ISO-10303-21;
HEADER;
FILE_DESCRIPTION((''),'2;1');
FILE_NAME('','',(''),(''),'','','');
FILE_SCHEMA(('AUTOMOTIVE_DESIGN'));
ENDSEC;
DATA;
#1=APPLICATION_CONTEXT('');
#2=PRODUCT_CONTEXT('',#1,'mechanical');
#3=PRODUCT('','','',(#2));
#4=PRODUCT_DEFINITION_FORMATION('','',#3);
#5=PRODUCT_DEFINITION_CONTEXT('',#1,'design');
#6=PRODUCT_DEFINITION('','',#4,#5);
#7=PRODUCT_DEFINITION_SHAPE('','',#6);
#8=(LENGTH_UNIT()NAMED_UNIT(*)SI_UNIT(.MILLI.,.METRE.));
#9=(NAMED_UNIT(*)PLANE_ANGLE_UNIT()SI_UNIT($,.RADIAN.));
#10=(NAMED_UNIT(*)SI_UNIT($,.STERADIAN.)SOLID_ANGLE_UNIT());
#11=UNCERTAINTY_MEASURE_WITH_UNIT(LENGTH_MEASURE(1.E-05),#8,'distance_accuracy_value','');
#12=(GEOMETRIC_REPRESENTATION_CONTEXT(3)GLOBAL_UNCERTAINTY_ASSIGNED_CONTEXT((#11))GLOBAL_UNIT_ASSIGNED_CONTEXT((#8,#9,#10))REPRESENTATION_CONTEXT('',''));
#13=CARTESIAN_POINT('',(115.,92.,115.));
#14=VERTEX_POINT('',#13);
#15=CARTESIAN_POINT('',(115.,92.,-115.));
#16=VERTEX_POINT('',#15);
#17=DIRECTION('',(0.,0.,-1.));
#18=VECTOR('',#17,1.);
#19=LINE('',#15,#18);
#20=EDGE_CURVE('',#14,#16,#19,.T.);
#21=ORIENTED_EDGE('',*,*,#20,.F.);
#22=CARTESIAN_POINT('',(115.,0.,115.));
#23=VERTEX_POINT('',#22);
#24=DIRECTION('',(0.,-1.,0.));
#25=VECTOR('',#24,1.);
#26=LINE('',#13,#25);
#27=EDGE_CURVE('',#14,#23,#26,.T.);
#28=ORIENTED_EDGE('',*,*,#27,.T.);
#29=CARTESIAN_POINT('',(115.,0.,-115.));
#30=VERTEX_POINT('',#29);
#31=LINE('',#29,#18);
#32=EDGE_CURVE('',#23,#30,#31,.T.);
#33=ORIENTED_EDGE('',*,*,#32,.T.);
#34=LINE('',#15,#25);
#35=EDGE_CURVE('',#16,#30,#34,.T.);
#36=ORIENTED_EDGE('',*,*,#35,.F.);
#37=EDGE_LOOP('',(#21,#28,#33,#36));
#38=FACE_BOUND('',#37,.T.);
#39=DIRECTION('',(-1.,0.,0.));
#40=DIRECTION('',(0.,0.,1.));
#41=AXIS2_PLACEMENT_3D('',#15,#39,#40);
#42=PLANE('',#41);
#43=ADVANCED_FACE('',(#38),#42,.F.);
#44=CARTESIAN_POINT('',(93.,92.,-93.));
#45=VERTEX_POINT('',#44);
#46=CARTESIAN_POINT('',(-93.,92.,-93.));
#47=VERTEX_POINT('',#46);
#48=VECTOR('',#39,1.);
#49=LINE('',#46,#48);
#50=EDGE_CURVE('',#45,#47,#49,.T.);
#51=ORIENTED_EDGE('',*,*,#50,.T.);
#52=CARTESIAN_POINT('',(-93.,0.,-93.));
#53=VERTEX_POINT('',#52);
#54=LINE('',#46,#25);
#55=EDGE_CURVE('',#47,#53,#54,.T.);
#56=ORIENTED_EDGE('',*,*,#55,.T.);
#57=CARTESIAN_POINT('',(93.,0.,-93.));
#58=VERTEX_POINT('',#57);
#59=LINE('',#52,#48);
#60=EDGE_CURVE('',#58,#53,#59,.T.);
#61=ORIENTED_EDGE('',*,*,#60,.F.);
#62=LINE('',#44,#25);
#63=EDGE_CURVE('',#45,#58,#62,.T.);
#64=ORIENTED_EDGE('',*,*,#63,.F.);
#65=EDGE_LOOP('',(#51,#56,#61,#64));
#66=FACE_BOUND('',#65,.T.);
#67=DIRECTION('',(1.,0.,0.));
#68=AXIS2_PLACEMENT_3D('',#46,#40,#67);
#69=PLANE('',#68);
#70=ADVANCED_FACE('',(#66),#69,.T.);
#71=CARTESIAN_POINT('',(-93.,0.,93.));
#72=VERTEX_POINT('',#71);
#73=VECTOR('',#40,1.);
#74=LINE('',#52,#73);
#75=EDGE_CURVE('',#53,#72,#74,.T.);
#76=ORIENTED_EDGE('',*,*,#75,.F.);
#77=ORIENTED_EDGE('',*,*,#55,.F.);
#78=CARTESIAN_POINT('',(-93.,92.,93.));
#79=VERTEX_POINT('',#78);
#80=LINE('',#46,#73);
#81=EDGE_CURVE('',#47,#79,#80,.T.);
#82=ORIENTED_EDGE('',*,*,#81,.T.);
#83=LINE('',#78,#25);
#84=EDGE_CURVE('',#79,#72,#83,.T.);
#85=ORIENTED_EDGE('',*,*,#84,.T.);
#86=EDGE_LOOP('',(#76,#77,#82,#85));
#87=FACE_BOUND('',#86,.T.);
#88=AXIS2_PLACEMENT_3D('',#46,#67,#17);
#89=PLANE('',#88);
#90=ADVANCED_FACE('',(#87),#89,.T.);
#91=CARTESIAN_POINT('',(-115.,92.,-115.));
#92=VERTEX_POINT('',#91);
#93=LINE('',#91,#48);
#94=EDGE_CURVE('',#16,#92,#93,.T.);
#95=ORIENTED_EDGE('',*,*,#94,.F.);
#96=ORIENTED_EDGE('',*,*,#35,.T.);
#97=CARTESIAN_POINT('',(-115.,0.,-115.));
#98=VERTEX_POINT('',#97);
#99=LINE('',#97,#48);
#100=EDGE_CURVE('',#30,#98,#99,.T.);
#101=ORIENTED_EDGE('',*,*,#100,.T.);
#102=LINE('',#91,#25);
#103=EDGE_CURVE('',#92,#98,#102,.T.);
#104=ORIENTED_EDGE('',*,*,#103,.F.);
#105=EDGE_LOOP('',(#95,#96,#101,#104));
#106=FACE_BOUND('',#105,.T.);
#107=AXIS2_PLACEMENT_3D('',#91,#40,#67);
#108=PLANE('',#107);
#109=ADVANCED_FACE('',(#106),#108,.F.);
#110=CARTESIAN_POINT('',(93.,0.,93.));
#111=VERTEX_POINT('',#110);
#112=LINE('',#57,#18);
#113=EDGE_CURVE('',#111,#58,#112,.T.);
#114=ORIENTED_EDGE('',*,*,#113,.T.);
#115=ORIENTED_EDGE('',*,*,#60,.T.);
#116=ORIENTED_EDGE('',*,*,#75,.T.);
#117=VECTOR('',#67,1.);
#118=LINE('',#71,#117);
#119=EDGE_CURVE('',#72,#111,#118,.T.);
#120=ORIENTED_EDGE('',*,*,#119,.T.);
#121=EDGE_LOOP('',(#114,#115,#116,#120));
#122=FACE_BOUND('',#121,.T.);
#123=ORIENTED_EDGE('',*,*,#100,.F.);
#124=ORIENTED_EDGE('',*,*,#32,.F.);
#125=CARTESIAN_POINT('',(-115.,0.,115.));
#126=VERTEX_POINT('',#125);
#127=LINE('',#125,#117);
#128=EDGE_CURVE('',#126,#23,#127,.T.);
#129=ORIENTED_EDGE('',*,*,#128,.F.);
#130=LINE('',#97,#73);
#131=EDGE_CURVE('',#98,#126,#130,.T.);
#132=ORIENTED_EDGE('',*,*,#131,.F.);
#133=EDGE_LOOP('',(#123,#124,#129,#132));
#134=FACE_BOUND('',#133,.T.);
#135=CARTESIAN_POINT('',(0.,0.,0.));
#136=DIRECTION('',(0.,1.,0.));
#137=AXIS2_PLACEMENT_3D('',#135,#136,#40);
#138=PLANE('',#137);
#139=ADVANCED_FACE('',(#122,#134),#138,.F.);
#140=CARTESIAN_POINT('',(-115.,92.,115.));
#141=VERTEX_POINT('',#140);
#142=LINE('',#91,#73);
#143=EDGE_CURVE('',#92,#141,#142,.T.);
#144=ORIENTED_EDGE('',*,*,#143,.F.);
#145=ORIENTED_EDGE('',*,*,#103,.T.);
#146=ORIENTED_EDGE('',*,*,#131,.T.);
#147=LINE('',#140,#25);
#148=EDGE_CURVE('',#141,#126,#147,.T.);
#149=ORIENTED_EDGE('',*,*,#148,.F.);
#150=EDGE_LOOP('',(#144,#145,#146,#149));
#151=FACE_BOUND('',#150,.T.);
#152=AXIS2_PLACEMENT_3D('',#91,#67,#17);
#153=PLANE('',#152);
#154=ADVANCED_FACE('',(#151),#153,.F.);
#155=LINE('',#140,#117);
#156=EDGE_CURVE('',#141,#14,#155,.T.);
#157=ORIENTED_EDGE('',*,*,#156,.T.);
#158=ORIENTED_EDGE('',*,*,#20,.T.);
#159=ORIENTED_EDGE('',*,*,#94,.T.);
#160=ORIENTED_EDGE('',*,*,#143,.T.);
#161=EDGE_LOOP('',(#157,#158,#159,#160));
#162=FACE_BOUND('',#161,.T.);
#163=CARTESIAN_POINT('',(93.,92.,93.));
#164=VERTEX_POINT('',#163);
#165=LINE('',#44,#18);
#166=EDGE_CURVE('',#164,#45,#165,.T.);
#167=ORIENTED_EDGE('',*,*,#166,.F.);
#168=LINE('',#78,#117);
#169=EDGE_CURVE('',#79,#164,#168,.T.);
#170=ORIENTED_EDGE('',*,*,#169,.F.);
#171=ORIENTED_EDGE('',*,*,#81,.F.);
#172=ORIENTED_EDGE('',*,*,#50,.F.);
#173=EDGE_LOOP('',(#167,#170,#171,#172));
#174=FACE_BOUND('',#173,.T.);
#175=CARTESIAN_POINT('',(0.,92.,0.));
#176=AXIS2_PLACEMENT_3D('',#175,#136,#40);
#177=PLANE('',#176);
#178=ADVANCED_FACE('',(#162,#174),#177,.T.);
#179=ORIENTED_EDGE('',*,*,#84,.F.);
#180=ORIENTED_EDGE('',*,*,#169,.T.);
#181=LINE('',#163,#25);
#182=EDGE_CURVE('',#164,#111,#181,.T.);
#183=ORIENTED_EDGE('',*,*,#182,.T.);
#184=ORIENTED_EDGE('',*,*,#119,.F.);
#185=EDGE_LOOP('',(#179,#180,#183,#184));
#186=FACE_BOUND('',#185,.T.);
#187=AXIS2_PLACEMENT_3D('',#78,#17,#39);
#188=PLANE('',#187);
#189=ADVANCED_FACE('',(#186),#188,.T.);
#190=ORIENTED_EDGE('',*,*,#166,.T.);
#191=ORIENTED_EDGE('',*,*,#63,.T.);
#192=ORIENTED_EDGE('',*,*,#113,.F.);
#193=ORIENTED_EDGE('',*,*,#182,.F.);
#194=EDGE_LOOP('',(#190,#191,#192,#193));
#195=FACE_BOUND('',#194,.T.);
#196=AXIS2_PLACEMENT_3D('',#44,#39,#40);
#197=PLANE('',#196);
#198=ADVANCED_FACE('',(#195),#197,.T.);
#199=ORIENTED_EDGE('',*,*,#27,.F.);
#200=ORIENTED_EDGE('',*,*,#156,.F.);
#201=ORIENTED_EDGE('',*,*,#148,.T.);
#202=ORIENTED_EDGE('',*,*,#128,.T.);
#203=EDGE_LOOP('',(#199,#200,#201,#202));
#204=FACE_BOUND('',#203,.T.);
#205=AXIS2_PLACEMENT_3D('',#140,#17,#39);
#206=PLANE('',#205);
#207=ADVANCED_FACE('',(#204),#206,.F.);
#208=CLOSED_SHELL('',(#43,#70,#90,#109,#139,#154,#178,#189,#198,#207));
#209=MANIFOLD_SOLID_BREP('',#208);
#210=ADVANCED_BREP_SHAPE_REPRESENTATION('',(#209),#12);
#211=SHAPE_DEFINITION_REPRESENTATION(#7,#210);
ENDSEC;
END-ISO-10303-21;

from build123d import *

# Parameters (mm, degrees)
ESQUISSE1_W        = 230
ESQUISSE1_H        = 230
ESQUISSE1_W_2      = 186
ESQUISSE1_H_2      = 186
BOSS_EXTRU_1_DEPTH = 92


with BuildPart() as part:
    # Esquisse1 → Boss.-Extru.1 (new body)
    with BuildSketch(Plane(origin=(0, 0, 0), x_dir=(1, 0, 0), z_dir=(0, 1, 0))):
        Rectangle(ESQUISSE1_W, ESQUISSE1_H)
        Rectangle(ESQUISSE1_W_2, ESQUISSE1_H_2, mode=Mode.SUBTRACT)
    extrude(amount=BOSS_EXTRU_1_DEPTH)


solid = part.part
